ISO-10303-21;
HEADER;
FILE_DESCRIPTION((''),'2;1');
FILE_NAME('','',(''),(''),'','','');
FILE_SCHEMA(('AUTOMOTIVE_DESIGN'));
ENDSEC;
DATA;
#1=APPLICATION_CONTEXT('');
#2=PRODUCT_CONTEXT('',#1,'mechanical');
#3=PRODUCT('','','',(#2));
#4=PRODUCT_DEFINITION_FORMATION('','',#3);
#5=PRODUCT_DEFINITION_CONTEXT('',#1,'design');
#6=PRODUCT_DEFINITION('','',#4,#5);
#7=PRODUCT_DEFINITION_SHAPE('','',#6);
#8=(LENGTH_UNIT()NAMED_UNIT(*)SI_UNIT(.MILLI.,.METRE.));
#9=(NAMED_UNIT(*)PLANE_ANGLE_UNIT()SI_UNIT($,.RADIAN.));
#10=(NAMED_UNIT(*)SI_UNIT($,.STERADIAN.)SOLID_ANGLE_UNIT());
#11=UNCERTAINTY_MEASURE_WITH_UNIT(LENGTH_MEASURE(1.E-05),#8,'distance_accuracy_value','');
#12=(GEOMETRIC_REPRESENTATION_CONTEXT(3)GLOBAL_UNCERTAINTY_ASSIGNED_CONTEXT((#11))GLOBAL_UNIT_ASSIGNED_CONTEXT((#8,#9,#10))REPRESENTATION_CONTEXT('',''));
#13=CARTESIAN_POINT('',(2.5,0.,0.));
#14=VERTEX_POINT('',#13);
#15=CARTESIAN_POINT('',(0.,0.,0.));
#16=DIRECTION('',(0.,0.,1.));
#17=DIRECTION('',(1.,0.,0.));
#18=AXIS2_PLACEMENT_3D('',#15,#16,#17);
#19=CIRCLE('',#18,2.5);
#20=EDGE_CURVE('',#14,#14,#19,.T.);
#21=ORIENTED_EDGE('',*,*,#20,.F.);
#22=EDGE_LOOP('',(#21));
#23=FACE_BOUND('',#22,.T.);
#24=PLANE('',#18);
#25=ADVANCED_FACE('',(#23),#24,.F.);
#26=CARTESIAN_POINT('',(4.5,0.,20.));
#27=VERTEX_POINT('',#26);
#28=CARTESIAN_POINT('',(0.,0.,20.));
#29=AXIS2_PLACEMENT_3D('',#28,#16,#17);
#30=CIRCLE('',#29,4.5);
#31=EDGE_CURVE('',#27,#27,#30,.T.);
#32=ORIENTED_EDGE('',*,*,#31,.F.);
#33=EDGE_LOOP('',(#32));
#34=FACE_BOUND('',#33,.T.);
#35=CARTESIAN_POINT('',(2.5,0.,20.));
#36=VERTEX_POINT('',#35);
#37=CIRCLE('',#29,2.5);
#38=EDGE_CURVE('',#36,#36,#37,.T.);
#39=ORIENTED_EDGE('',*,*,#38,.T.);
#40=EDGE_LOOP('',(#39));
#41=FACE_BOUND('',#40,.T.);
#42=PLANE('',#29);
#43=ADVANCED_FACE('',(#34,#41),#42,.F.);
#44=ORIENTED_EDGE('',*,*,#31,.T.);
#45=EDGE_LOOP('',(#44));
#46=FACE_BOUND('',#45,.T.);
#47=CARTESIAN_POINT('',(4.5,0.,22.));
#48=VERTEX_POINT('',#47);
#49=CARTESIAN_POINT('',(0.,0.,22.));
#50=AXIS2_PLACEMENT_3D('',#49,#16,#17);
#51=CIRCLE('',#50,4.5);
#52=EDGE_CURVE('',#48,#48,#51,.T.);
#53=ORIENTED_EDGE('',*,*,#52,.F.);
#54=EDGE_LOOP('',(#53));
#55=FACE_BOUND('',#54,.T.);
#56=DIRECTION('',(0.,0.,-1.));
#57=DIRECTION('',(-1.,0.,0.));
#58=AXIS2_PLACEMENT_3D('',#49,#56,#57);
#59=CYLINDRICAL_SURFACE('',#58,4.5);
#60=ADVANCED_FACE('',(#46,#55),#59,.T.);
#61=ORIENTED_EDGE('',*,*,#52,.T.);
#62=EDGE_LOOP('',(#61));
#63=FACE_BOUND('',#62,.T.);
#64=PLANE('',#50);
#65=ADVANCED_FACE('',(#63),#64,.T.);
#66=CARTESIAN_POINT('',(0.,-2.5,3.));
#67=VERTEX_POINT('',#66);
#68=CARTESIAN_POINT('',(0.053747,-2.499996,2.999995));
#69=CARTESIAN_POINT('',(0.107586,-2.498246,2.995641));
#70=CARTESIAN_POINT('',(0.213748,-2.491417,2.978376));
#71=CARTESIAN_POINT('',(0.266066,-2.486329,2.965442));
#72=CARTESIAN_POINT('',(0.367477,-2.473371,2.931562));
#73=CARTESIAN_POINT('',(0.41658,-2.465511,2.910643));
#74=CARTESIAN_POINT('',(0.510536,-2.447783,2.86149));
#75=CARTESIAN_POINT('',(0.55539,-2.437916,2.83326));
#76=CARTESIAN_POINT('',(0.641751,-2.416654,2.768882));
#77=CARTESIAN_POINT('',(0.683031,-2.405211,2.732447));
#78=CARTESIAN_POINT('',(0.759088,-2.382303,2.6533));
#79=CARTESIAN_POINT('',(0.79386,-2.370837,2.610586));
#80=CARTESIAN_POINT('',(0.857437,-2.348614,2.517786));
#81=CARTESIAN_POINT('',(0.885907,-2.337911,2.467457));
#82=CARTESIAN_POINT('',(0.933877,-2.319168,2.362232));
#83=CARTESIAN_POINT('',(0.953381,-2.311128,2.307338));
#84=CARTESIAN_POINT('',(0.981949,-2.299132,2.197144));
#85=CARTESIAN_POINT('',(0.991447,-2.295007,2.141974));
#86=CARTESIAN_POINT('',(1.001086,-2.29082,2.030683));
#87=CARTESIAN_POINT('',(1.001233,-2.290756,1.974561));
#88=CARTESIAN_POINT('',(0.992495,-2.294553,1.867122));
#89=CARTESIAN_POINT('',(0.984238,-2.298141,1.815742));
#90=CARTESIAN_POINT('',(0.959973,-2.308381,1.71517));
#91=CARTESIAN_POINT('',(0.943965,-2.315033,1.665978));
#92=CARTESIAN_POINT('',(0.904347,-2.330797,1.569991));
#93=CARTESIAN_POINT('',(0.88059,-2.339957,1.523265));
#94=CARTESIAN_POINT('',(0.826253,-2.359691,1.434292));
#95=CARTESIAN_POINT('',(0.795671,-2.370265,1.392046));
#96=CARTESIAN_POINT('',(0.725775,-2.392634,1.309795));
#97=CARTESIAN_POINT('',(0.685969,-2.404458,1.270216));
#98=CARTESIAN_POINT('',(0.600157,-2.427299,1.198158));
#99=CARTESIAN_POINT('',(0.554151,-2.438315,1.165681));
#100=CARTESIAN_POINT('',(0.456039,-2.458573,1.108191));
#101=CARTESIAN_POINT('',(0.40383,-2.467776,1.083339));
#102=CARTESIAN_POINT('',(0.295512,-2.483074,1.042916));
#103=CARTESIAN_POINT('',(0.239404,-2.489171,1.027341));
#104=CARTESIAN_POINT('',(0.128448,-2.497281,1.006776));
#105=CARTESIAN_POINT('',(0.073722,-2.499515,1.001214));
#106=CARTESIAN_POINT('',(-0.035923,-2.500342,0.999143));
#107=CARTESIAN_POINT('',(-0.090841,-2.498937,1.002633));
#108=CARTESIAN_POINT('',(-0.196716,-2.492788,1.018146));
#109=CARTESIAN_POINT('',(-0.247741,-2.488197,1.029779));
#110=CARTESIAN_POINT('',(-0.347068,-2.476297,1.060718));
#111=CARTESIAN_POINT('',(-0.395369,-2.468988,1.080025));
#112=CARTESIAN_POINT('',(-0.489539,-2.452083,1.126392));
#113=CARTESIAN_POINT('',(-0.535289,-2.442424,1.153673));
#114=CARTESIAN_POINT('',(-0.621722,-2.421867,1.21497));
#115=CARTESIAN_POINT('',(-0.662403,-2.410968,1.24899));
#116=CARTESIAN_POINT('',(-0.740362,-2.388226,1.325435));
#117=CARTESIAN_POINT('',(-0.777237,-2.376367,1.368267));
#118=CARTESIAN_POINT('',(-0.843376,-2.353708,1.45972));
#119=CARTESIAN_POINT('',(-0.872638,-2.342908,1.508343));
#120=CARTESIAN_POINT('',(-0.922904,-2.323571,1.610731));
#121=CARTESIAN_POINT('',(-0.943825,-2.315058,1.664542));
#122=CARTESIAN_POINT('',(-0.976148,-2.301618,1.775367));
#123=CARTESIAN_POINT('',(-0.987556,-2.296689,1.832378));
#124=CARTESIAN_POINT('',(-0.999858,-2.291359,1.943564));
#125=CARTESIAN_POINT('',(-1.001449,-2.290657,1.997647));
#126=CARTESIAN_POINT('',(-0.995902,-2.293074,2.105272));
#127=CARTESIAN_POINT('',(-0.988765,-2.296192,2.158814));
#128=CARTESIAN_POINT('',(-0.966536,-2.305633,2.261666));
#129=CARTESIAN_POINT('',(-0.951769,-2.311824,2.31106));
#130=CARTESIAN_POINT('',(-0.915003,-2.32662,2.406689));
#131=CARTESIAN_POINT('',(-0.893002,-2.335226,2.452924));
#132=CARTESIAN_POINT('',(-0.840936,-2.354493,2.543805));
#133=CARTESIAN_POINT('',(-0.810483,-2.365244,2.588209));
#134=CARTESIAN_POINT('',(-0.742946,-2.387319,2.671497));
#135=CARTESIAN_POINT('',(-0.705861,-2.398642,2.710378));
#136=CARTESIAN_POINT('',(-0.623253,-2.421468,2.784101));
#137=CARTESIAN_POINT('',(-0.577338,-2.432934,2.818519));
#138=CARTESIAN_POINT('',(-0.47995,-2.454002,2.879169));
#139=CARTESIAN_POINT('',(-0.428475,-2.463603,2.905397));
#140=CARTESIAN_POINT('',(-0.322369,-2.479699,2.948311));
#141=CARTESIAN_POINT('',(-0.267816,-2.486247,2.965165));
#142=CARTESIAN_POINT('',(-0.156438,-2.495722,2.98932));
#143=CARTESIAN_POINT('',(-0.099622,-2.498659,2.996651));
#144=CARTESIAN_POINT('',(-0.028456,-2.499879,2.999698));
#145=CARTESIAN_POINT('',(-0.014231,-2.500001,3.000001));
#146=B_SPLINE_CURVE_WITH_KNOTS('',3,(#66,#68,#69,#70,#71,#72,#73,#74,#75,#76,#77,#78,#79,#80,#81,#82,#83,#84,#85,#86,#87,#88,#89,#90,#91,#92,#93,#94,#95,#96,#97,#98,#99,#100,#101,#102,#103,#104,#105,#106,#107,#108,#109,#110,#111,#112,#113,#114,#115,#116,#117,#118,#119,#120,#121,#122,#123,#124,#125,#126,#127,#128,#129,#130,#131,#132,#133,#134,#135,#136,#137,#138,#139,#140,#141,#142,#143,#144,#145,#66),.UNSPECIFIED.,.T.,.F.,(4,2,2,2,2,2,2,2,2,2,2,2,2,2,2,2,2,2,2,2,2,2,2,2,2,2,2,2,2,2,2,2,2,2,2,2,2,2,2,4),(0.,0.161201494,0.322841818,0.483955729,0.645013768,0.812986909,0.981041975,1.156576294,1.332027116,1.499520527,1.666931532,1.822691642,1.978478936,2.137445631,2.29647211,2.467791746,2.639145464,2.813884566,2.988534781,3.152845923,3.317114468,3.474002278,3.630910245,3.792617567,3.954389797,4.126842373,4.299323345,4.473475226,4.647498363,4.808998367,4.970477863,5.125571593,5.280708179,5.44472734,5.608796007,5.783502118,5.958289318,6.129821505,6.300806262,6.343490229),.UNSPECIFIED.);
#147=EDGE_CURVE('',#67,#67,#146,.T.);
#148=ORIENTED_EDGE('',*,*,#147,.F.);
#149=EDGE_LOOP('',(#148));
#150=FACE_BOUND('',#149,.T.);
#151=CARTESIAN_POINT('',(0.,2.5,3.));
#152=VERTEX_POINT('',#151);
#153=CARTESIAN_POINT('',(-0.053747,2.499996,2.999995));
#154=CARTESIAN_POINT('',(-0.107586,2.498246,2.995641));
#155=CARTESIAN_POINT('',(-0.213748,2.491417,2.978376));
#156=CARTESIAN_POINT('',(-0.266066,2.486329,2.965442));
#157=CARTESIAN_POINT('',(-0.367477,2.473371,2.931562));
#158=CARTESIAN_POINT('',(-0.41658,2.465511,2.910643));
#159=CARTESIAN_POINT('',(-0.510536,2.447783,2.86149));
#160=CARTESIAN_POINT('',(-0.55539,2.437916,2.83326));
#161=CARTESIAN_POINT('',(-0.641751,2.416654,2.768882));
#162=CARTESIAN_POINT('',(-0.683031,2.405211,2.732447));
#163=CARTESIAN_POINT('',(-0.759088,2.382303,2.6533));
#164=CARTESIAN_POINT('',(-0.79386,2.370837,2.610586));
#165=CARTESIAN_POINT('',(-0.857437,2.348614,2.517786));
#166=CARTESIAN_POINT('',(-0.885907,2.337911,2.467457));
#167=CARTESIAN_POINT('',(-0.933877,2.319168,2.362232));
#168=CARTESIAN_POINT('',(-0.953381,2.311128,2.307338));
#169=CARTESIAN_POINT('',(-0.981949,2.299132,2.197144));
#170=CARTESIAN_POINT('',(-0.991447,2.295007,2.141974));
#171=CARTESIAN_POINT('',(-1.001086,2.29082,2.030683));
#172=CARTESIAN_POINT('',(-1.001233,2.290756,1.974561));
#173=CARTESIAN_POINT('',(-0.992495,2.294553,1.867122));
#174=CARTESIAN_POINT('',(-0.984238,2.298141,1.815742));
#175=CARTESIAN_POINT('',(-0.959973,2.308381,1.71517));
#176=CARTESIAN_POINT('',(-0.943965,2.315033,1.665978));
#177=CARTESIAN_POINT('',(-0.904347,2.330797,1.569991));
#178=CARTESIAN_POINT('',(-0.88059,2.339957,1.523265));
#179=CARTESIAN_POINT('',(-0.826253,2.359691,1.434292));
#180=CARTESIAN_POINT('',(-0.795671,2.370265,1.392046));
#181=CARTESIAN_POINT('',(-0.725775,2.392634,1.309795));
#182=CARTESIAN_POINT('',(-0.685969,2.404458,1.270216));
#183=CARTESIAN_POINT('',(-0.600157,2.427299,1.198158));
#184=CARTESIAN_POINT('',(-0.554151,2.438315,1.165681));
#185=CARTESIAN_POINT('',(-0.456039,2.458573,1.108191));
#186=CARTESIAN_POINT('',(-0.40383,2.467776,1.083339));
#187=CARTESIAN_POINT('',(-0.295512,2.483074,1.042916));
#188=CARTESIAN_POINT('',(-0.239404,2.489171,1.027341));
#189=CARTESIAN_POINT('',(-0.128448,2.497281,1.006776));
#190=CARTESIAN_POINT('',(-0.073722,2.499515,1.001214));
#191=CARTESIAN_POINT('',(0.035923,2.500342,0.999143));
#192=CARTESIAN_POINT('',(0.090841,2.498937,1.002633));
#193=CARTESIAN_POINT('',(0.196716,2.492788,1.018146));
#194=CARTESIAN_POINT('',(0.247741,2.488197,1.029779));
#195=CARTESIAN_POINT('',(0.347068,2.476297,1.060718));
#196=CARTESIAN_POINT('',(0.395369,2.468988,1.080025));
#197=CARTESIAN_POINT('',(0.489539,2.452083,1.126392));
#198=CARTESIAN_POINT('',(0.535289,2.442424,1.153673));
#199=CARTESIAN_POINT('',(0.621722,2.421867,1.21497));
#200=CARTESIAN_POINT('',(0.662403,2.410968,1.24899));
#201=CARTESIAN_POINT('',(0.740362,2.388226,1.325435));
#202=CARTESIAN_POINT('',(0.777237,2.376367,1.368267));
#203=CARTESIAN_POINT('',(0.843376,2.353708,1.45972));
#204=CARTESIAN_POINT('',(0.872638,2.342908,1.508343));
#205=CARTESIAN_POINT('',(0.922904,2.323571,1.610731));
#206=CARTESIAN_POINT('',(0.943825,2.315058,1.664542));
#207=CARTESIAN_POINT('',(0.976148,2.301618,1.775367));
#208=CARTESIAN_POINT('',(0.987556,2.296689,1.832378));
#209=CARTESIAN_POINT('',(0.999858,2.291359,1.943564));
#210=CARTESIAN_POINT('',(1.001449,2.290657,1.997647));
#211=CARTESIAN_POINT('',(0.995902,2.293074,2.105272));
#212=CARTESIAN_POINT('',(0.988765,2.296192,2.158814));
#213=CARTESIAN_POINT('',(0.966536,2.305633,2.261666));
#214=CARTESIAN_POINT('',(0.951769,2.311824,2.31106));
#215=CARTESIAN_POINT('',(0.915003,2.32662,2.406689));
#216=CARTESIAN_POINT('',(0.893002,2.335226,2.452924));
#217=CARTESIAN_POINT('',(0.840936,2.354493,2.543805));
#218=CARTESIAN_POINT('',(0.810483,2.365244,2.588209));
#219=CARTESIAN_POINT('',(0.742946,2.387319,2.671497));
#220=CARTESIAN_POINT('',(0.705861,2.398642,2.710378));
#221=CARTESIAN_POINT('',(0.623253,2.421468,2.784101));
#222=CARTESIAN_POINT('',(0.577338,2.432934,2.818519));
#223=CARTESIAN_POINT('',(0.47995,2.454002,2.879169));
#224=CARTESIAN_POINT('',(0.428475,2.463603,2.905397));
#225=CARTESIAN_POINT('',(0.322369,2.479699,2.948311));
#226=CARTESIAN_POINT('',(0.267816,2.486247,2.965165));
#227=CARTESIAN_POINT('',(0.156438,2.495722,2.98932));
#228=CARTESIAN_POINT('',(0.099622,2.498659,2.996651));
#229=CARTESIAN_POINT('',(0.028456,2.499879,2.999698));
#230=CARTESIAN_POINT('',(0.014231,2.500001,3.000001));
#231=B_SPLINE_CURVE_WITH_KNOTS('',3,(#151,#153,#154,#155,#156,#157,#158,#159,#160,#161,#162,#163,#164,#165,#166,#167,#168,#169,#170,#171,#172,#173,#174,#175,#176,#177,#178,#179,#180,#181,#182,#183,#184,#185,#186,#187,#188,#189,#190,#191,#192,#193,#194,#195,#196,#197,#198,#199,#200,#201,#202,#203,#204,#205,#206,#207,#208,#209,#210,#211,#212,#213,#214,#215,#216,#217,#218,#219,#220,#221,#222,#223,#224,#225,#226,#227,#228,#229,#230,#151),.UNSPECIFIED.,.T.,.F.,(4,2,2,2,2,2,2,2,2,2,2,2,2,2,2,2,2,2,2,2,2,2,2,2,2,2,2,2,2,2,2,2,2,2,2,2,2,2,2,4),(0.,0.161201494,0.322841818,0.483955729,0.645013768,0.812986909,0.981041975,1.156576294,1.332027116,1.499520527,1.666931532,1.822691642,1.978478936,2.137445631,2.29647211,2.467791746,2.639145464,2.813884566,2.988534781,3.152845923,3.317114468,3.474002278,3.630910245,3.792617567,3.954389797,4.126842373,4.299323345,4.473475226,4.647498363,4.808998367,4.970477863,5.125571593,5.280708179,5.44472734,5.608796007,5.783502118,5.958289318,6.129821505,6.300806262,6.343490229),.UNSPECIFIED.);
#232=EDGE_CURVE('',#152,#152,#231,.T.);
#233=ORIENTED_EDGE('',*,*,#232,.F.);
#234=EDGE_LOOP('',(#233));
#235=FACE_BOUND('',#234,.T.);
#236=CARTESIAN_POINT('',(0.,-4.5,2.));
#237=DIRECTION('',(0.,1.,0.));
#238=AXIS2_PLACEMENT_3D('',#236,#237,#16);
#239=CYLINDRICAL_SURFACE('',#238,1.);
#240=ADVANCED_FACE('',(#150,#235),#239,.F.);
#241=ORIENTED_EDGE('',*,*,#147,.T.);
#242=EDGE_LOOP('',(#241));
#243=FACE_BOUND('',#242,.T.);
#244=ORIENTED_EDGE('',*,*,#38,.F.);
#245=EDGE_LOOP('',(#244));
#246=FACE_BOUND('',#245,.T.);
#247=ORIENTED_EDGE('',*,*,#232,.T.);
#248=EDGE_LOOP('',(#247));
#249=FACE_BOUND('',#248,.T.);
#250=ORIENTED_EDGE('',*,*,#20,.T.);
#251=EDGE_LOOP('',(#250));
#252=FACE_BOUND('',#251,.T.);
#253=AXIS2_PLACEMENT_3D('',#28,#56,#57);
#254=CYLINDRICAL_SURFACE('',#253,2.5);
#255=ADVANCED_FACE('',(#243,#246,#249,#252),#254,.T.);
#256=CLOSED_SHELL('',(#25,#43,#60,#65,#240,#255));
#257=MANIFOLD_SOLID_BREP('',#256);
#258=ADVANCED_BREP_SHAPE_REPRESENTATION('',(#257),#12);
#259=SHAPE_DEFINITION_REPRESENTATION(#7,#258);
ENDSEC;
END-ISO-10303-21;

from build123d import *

# Parameters (mm, degrees)
SKETCH1_R               = 2.5
BOSS_EXTRUDE1_DEPTH     = 20
SKETCH2_R               = 4.5
BOSS_EXTRUDE2_DEPTH     = 2
CUT_EXTRUDE1_DEPTH      = 23.901964981
CUT_EXTRUDE1_DEPTH_BACK = 23.901964981
SKETCH3_R               = 1


with BuildPart() as part:
    # Sketch1 → Boss-Extrude1 (new body)
    with BuildSketch(Plane.XY):
        Circle(SKETCH1_R)
    extrude(amount=BOSS_EXTRUDE1_DEPTH)

    # Sketch2 → Boss-Extrude2 (add)
    with BuildSketch(Plane.XY.offset(20)):
        Circle(SKETCH2_R)
    extrude(amount=BOSS_EXTRUDE2_DEPTH)

    # Sketch3 → Cut-Extrude1 (cut, two sides: drawn at the far end of the back side and taken through both)
    with BuildSketch(Plane(origin=(0, 0, 0), x_dir=(1, 0, 0), z_dir=(0, 1, 0)).offset(-CUT_EXTRUDE1_DEPTH_BACK)):
        with Locations(Location((0, -2, 0), (0, 0, 270))):
            Circle(SKETCH3_R)
    extrude(amount=CUT_EXTRUDE1_DEPTH + CUT_EXTRUDE1_DEPTH_BACK, mode=Mode.SUBTRACT)


solid = part.part
